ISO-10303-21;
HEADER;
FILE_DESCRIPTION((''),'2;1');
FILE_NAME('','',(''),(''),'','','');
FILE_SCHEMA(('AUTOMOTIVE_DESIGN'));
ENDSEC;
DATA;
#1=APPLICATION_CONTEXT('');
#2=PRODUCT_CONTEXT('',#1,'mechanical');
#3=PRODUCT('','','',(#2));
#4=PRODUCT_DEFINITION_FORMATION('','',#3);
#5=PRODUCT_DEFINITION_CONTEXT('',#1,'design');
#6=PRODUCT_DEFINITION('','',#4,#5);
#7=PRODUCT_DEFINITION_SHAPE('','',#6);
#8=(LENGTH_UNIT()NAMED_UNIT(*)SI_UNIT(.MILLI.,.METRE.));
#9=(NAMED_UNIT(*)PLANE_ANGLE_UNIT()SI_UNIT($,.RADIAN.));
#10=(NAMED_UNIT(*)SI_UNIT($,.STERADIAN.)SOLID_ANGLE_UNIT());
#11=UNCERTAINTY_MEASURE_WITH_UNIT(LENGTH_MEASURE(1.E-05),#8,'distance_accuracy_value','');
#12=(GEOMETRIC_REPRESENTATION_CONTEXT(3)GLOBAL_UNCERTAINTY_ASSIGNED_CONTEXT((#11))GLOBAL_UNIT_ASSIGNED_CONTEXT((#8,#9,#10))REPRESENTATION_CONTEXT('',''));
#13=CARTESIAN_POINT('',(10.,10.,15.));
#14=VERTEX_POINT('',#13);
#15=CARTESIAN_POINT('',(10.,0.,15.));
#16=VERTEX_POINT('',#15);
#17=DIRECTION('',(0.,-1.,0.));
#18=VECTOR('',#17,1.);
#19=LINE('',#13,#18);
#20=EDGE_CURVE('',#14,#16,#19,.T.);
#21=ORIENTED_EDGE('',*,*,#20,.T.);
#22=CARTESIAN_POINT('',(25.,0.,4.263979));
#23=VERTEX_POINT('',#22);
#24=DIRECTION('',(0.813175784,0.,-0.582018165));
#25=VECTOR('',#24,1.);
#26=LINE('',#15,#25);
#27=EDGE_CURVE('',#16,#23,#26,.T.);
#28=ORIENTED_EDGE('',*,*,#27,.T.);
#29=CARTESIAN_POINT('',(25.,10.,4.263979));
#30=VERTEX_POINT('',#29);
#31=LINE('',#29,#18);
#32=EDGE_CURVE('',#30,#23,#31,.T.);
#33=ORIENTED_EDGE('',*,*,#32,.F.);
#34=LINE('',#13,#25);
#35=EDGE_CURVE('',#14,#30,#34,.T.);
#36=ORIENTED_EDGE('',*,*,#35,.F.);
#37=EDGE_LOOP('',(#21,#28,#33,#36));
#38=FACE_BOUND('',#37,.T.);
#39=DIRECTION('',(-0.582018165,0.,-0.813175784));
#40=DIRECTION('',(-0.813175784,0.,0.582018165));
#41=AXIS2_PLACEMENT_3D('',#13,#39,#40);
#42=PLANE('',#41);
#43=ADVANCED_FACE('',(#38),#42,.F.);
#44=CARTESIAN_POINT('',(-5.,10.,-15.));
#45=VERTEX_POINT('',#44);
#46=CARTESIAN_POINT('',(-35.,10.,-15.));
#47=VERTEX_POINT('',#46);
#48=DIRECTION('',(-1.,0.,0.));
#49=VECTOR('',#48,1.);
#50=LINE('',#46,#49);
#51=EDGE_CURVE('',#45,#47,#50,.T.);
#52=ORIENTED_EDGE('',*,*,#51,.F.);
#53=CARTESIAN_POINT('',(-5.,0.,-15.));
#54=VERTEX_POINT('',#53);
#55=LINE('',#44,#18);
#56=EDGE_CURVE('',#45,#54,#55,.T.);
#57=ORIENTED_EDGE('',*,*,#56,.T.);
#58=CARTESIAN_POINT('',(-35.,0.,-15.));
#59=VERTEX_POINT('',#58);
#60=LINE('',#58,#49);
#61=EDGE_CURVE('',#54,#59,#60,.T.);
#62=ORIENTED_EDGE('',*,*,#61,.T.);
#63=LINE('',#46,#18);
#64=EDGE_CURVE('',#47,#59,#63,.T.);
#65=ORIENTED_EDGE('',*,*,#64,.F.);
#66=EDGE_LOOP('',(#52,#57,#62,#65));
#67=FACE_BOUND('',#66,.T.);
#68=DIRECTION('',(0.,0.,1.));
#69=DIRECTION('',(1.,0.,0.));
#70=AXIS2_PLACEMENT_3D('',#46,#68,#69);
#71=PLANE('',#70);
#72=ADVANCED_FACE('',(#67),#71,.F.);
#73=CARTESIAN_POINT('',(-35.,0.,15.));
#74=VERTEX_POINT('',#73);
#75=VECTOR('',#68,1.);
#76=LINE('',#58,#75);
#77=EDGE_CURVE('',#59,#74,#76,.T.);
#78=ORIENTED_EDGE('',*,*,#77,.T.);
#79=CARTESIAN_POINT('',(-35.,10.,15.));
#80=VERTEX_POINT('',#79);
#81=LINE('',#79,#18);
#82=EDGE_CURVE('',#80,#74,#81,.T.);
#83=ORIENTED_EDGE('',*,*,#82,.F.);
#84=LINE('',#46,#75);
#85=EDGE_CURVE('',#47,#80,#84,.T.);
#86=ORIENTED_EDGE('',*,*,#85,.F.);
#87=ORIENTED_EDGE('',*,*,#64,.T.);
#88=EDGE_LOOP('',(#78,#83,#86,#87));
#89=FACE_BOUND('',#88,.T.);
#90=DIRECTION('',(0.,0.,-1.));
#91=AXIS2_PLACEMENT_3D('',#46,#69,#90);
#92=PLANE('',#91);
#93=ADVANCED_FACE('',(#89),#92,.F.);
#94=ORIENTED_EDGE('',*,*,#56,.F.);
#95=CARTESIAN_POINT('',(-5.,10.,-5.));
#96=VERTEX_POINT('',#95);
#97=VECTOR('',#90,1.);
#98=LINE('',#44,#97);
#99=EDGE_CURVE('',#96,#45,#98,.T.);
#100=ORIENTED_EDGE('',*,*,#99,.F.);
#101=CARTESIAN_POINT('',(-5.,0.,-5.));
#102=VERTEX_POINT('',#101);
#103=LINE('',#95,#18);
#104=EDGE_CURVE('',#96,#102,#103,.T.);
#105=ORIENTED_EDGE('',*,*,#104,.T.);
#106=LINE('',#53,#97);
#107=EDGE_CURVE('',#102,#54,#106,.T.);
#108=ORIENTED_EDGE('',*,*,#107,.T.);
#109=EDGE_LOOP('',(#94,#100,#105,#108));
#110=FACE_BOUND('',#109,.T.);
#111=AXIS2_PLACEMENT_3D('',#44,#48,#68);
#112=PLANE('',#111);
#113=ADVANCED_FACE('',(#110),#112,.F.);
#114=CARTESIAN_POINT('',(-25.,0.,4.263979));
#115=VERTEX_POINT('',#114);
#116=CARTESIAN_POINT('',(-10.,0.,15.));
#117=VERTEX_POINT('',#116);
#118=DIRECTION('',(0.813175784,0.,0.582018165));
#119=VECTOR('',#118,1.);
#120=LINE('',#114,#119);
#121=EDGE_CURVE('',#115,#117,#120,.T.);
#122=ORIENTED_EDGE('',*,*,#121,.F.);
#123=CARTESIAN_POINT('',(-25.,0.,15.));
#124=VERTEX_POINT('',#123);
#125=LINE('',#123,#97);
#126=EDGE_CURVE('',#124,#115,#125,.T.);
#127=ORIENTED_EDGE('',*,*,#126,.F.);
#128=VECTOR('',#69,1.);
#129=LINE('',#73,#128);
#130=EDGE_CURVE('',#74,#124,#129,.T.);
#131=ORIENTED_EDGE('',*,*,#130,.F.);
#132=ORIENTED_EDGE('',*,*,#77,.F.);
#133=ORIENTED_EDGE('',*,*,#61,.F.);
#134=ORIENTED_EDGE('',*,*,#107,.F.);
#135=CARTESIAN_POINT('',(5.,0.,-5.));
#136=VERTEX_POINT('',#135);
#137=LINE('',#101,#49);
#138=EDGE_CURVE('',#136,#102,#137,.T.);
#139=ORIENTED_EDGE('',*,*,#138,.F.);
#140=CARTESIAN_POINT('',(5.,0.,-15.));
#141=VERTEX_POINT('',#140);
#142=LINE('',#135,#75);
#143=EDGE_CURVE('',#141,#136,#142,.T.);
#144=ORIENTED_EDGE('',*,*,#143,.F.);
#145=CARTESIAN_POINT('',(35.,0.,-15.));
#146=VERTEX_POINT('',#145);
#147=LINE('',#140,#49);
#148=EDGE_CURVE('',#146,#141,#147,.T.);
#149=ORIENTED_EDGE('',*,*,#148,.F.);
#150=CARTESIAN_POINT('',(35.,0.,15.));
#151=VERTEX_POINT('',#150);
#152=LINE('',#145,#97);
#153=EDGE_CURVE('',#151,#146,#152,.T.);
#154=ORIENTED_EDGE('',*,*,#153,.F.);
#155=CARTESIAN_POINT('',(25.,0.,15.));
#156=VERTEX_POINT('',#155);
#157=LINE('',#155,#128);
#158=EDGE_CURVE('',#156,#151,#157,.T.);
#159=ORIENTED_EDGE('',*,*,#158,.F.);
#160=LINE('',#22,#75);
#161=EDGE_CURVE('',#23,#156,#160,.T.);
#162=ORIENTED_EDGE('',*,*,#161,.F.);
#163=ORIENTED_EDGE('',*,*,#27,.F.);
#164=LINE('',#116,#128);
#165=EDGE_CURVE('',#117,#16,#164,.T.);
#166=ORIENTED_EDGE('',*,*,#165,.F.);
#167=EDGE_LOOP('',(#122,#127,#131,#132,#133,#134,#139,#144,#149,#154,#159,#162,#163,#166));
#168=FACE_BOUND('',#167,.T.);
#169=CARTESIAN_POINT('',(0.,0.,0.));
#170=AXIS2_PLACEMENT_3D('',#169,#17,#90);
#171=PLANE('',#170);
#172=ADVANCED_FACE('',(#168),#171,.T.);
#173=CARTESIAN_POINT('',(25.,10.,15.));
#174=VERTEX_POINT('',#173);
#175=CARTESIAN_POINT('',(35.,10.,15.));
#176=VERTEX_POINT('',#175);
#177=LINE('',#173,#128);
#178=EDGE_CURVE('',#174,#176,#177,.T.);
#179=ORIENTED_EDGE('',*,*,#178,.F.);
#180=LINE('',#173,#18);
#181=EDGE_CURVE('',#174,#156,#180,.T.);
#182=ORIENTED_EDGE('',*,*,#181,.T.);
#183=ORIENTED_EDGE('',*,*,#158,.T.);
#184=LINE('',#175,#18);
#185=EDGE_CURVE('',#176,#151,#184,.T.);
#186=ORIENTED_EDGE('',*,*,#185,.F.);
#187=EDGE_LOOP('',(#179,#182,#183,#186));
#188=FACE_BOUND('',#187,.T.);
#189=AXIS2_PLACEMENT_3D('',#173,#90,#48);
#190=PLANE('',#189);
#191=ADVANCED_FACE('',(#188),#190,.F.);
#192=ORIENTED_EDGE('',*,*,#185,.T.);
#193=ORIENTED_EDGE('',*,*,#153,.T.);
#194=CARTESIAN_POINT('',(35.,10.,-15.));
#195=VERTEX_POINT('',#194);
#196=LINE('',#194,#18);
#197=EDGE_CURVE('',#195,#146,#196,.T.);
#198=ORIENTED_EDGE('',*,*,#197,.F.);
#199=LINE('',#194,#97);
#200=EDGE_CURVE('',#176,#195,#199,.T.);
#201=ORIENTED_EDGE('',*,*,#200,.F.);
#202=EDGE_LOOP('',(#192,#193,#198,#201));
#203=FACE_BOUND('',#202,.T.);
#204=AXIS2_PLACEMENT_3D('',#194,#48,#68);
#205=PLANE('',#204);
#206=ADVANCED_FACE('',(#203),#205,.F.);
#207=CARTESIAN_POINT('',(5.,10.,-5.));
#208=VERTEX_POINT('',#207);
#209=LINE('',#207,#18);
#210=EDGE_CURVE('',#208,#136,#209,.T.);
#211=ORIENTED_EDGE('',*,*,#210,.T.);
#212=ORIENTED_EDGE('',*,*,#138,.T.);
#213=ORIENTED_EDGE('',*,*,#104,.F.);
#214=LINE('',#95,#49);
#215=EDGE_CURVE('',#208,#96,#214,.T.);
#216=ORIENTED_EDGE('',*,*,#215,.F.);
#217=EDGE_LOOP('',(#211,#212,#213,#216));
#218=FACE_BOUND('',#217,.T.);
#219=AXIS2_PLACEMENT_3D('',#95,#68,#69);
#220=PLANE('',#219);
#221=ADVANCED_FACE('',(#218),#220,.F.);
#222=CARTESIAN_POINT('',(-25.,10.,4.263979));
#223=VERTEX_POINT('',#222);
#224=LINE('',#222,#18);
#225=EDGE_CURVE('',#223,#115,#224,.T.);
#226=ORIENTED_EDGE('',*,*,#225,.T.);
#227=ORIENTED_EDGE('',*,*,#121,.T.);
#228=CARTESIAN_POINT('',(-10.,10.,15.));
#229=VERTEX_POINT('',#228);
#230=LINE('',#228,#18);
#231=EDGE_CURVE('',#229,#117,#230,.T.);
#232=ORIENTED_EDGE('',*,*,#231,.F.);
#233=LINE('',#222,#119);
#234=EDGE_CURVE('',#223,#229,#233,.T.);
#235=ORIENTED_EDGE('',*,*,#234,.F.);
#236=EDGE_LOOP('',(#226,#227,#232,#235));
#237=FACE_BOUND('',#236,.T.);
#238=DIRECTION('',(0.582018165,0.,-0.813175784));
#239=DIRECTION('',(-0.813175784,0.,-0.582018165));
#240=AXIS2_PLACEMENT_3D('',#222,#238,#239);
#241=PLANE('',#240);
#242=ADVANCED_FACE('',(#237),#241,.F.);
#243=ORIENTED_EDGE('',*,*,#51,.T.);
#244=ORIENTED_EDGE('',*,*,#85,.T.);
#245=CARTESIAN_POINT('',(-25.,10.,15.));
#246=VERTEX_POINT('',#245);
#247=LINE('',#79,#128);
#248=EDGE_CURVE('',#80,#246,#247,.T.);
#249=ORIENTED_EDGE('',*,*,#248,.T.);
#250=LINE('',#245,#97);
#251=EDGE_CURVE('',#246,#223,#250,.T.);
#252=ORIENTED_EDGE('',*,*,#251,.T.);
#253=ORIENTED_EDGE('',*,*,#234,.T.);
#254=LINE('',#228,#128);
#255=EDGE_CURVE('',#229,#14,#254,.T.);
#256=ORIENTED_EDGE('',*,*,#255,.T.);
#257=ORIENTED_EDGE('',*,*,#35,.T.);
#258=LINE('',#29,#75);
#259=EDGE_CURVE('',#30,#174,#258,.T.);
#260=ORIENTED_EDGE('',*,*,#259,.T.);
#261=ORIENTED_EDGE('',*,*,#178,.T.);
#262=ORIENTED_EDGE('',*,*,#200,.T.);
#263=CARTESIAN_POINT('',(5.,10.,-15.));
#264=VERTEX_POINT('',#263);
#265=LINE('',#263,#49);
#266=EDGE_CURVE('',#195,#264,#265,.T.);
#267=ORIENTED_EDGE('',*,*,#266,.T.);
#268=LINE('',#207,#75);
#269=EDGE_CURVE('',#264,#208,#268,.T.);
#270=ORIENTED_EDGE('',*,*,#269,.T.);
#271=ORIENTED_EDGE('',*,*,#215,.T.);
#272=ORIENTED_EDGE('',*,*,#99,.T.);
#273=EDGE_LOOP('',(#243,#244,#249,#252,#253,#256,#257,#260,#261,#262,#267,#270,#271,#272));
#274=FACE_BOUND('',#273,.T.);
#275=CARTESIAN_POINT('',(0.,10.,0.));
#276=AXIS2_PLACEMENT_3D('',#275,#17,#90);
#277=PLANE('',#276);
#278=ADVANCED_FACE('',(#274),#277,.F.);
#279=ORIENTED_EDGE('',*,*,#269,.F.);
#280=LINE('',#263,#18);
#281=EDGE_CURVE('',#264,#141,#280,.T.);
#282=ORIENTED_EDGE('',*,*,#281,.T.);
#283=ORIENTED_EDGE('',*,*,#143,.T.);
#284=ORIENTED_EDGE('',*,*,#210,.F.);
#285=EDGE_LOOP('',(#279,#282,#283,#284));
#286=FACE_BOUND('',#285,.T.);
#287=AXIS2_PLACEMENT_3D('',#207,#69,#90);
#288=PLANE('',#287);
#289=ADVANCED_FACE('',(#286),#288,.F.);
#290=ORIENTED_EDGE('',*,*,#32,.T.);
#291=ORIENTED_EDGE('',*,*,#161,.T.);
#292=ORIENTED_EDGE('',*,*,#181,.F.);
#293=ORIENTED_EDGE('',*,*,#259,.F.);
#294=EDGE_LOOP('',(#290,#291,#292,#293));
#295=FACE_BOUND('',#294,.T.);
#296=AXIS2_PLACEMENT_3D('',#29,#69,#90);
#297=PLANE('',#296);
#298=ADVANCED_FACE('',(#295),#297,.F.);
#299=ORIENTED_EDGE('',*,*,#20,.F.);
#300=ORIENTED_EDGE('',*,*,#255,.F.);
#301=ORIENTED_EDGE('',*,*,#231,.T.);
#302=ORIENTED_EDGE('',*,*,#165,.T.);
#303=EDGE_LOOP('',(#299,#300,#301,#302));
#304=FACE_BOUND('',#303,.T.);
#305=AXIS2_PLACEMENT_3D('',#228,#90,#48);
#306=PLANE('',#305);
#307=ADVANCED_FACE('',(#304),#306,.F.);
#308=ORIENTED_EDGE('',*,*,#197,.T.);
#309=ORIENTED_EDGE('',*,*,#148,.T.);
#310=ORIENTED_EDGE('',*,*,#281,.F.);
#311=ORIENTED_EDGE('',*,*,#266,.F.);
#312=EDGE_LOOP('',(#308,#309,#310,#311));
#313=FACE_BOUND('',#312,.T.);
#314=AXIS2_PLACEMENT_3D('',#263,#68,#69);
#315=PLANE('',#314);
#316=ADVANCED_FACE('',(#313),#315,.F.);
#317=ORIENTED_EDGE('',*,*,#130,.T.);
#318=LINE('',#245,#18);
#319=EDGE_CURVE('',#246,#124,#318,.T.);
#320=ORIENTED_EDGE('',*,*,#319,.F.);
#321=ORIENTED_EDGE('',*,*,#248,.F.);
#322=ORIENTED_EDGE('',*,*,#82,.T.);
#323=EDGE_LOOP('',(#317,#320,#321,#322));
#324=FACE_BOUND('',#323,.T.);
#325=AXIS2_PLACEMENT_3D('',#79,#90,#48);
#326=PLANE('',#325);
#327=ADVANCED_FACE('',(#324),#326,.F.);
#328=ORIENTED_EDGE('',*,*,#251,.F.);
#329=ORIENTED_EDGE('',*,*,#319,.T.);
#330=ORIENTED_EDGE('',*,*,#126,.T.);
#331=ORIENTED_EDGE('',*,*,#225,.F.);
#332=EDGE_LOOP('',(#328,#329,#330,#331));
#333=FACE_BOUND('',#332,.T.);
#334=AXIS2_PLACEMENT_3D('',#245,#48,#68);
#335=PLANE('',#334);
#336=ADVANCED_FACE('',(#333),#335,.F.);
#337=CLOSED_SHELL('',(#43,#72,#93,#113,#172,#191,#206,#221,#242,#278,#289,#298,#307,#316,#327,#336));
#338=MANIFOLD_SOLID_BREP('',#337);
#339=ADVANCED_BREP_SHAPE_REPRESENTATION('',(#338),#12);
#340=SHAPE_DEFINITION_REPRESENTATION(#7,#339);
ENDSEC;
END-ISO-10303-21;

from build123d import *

# Parameters (mm, degrees)
BOSS_EXTRUDE1_DEPTH = 10


with BuildPart() as part:
    # Sketch1 → Boss-Extrude1 (new body)
    with BuildSketch(Plane(origin=(0, 0, 0), x_dir=(1, 0, 0), z_dir=(0, 1, 0))):
        Polygon((-35, 15), (-35, -15), (-25, -15), (-25, -4.26397879), (-10, -15), (10, -15), (25, -4.26397879), (25, -15), (35, -15), (35, 15), (5, 15), (5, 5), (-5, 5), (-5, 15), align=None)
    extrude(amount=BOSS_EXTRUDE1_DEPTH)


solid = part.part
